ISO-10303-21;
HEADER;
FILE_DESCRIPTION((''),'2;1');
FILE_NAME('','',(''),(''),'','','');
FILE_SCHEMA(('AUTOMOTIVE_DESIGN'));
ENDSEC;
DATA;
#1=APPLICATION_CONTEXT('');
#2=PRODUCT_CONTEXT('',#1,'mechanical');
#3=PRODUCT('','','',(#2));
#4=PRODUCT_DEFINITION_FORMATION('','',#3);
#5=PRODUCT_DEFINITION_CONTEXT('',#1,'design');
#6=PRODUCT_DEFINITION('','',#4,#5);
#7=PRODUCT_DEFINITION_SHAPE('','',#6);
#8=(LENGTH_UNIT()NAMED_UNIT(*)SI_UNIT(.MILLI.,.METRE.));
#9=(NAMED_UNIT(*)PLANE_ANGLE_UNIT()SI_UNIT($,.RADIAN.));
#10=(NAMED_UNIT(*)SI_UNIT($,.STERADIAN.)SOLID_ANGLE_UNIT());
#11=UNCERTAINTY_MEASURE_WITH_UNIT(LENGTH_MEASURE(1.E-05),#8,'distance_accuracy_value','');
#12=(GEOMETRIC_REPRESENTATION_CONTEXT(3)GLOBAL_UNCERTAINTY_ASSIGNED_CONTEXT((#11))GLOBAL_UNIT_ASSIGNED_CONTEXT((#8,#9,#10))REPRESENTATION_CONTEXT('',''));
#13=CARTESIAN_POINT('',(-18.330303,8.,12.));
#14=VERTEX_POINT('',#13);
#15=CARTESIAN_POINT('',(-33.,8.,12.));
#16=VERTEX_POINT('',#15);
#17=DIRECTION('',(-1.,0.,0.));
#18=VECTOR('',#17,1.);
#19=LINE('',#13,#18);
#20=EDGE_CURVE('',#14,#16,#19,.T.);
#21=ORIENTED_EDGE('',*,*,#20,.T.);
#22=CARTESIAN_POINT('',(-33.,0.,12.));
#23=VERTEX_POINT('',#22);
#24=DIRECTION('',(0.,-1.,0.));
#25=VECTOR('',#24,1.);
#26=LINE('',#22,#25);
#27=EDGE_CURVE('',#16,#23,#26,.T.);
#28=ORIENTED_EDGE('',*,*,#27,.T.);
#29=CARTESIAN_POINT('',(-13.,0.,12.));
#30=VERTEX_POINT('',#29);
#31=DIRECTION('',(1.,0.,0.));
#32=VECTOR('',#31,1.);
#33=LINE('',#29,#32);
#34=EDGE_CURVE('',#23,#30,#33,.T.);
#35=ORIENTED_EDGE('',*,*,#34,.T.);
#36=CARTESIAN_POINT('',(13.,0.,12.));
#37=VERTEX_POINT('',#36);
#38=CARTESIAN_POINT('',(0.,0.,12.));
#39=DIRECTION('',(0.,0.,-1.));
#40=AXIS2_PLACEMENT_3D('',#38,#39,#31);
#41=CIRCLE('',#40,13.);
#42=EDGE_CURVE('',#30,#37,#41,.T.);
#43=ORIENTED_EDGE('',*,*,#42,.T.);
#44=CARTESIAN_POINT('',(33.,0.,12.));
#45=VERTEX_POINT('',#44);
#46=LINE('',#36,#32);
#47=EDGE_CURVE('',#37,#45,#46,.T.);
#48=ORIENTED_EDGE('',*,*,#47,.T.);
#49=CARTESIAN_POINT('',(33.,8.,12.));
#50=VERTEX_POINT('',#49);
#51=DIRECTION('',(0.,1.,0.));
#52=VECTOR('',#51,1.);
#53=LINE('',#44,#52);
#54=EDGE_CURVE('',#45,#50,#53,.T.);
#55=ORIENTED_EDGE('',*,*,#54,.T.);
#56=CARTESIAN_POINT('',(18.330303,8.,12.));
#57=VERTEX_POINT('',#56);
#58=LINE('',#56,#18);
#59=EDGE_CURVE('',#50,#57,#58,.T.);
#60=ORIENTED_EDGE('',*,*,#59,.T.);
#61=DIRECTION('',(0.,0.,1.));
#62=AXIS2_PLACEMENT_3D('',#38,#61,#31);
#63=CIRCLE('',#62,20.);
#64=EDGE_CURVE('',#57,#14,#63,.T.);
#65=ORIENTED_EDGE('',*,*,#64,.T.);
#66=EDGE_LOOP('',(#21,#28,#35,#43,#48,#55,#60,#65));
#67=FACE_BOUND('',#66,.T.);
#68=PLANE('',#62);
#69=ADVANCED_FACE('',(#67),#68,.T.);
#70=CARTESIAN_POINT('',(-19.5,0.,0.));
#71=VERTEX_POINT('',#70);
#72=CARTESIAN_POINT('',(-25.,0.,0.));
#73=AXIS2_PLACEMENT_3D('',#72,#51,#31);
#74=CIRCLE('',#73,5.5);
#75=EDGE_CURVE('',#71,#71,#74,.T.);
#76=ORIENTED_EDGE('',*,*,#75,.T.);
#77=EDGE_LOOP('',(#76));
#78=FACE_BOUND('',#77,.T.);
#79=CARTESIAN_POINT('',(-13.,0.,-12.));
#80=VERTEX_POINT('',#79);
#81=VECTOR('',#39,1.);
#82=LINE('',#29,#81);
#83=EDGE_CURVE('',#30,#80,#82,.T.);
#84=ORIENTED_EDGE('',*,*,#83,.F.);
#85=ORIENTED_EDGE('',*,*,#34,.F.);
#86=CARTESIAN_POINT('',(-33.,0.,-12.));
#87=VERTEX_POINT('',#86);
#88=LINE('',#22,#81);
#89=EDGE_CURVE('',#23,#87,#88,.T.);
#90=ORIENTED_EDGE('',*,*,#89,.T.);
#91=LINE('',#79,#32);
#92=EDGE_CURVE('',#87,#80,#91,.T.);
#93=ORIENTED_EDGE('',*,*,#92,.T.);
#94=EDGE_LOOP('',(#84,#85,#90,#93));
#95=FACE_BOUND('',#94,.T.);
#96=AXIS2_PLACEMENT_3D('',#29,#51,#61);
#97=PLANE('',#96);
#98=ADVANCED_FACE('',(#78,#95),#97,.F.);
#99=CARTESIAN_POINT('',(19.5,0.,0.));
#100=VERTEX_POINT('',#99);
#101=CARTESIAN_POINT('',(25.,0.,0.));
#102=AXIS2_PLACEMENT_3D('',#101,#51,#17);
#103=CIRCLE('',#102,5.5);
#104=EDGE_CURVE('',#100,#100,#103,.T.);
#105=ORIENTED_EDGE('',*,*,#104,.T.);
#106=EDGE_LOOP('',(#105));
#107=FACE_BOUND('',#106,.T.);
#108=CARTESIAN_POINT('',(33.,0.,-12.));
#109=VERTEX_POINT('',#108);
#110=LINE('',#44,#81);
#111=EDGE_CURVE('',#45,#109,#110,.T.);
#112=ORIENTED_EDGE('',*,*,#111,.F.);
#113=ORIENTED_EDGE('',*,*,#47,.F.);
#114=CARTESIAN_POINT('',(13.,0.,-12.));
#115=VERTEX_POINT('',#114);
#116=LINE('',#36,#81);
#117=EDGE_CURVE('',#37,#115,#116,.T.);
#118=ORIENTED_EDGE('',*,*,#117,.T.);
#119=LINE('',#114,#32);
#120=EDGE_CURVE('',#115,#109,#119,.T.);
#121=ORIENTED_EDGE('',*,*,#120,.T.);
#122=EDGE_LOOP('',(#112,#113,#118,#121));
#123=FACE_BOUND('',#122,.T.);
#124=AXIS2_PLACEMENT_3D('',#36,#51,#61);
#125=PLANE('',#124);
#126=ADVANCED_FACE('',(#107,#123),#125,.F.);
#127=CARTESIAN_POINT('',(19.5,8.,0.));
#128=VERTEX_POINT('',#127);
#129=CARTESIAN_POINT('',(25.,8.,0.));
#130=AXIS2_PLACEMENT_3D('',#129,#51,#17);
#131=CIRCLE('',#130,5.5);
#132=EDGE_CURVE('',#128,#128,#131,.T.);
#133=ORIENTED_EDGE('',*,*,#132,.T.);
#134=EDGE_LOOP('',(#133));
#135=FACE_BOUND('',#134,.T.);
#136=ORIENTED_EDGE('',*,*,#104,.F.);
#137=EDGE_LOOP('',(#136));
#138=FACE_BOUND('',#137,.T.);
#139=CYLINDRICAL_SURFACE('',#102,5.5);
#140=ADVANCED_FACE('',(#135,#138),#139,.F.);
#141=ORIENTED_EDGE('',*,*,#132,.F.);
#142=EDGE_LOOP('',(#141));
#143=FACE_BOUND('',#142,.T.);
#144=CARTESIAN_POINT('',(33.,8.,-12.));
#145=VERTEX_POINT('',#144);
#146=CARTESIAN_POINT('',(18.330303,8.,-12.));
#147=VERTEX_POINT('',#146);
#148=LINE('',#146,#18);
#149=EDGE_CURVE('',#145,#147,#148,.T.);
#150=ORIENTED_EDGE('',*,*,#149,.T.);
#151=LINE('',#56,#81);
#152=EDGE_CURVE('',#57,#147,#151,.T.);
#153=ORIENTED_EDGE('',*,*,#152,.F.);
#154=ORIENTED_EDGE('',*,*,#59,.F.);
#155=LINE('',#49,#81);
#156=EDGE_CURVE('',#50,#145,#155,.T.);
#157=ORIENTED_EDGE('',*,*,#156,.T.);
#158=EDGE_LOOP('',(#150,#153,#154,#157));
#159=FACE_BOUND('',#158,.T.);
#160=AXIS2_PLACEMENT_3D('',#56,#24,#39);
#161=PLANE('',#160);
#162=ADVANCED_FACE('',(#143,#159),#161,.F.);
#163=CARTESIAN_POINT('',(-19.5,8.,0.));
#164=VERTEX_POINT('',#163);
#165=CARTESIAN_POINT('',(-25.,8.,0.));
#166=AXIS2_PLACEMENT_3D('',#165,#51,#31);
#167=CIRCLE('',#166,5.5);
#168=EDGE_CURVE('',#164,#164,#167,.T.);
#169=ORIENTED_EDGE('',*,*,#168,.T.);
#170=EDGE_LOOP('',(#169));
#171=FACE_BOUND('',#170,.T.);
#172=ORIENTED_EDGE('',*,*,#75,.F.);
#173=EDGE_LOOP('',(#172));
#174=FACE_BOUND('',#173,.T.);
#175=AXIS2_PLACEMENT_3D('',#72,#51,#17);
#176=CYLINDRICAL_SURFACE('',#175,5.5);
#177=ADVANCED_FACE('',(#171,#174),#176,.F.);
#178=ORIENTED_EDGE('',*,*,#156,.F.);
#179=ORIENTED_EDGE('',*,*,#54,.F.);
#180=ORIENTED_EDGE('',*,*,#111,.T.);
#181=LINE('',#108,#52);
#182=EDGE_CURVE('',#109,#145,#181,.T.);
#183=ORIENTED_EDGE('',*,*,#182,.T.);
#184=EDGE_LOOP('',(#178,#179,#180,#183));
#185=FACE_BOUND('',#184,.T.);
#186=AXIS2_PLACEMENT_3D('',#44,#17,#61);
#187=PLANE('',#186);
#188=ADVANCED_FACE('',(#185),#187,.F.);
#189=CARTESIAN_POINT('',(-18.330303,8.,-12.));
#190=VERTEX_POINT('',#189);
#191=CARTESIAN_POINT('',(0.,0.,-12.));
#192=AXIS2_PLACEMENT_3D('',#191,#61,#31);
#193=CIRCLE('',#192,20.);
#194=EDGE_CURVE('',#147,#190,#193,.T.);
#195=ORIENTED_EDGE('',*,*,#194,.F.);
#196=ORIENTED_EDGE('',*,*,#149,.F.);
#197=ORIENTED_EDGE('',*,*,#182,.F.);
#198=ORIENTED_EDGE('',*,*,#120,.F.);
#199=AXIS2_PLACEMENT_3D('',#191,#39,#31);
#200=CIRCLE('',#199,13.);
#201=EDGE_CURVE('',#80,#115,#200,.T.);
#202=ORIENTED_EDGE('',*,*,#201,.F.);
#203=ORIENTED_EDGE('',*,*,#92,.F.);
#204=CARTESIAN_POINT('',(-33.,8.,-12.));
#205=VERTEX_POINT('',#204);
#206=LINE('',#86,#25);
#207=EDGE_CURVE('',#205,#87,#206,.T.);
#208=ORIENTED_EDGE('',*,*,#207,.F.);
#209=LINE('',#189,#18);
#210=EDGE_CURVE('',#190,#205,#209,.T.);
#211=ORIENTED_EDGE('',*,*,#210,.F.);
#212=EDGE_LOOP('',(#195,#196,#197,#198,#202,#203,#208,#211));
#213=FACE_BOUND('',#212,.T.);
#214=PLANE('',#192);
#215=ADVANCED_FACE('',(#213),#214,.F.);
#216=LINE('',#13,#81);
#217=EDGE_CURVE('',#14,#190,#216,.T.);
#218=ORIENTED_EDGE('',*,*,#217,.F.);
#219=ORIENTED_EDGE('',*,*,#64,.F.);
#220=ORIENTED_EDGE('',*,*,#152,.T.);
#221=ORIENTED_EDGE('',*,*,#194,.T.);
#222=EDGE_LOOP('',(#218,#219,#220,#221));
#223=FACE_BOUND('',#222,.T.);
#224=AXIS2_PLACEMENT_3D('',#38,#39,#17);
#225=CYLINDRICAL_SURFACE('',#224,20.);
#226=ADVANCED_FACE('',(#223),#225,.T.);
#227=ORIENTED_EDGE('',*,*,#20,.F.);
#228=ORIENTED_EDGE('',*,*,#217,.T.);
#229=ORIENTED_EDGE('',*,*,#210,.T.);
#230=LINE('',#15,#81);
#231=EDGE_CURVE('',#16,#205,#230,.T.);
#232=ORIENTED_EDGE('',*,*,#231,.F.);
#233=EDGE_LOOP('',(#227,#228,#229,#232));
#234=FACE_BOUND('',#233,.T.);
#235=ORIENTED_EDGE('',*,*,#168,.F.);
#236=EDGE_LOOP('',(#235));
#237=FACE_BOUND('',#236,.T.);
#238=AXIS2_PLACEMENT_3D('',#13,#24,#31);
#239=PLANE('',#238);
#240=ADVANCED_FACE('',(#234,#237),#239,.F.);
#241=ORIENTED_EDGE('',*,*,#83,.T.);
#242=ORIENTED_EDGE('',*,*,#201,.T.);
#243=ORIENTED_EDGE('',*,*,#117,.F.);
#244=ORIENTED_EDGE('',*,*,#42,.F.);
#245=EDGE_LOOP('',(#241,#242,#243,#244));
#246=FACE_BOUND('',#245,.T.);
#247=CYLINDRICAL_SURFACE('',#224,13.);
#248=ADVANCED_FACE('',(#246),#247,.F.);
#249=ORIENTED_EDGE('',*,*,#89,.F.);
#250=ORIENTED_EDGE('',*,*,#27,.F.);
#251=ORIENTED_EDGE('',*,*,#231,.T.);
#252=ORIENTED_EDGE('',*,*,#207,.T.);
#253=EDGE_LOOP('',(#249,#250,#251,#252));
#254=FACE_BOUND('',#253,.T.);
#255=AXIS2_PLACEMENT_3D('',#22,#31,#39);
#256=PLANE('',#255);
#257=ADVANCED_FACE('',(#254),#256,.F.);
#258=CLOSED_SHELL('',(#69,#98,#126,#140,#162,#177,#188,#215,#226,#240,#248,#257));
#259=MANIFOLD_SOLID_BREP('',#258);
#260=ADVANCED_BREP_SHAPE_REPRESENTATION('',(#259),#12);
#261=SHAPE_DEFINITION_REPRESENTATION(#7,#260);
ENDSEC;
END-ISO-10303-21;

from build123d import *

# Parameters (mm, degrees)
EXTRUDE_1_DEPTH     = 12
SKETCH_2_R          = 5.5
CUT_EXTRUDE_1_DEPTH = 38.107950631


with BuildPart() as part:
    # 草图1 → 凸台-拉伸1 (new, symmetric)
    with BuildSketch(Plane.XY):
        with BuildLine():
            Line((-33, 0), (-33, 8))
            Line((-33, 8), (-18.33030278, 8))
            ThreePointArc((-18.33030278, 8), (0, 20), (18.33030278, 8))
            Line((18.33030278, 8), (33, 8))
            Line((33, 8), (33, 0))
            Line((33, 0), (13, 0))
            ThreePointArc((13, 0), (0, 13), (-13, 0))
            Line((-13, 0), (-33, 0))
        make_face()
    extrude(amount=EXTRUDE_1_DEPTH, both=True)

    # 草图2 → 切除-拉伸1 (cut, through all)
    with BuildSketch(Plane(origin=(0, 8, 0), x_dir=(1, 0, 0), z_dir=(0, 1, 0))):
        with Locations(Location((25, 0, 0), (0, 0, 180))):
            Circle(SKETCH_2_R)
        with Locations((-25, 0)):
            Circle(SKETCH_2_R)
    extrude(amount=-CUT_EXTRUDE_1_DEPTH, mode=Mode.SUBTRACT)


solid = part.part
